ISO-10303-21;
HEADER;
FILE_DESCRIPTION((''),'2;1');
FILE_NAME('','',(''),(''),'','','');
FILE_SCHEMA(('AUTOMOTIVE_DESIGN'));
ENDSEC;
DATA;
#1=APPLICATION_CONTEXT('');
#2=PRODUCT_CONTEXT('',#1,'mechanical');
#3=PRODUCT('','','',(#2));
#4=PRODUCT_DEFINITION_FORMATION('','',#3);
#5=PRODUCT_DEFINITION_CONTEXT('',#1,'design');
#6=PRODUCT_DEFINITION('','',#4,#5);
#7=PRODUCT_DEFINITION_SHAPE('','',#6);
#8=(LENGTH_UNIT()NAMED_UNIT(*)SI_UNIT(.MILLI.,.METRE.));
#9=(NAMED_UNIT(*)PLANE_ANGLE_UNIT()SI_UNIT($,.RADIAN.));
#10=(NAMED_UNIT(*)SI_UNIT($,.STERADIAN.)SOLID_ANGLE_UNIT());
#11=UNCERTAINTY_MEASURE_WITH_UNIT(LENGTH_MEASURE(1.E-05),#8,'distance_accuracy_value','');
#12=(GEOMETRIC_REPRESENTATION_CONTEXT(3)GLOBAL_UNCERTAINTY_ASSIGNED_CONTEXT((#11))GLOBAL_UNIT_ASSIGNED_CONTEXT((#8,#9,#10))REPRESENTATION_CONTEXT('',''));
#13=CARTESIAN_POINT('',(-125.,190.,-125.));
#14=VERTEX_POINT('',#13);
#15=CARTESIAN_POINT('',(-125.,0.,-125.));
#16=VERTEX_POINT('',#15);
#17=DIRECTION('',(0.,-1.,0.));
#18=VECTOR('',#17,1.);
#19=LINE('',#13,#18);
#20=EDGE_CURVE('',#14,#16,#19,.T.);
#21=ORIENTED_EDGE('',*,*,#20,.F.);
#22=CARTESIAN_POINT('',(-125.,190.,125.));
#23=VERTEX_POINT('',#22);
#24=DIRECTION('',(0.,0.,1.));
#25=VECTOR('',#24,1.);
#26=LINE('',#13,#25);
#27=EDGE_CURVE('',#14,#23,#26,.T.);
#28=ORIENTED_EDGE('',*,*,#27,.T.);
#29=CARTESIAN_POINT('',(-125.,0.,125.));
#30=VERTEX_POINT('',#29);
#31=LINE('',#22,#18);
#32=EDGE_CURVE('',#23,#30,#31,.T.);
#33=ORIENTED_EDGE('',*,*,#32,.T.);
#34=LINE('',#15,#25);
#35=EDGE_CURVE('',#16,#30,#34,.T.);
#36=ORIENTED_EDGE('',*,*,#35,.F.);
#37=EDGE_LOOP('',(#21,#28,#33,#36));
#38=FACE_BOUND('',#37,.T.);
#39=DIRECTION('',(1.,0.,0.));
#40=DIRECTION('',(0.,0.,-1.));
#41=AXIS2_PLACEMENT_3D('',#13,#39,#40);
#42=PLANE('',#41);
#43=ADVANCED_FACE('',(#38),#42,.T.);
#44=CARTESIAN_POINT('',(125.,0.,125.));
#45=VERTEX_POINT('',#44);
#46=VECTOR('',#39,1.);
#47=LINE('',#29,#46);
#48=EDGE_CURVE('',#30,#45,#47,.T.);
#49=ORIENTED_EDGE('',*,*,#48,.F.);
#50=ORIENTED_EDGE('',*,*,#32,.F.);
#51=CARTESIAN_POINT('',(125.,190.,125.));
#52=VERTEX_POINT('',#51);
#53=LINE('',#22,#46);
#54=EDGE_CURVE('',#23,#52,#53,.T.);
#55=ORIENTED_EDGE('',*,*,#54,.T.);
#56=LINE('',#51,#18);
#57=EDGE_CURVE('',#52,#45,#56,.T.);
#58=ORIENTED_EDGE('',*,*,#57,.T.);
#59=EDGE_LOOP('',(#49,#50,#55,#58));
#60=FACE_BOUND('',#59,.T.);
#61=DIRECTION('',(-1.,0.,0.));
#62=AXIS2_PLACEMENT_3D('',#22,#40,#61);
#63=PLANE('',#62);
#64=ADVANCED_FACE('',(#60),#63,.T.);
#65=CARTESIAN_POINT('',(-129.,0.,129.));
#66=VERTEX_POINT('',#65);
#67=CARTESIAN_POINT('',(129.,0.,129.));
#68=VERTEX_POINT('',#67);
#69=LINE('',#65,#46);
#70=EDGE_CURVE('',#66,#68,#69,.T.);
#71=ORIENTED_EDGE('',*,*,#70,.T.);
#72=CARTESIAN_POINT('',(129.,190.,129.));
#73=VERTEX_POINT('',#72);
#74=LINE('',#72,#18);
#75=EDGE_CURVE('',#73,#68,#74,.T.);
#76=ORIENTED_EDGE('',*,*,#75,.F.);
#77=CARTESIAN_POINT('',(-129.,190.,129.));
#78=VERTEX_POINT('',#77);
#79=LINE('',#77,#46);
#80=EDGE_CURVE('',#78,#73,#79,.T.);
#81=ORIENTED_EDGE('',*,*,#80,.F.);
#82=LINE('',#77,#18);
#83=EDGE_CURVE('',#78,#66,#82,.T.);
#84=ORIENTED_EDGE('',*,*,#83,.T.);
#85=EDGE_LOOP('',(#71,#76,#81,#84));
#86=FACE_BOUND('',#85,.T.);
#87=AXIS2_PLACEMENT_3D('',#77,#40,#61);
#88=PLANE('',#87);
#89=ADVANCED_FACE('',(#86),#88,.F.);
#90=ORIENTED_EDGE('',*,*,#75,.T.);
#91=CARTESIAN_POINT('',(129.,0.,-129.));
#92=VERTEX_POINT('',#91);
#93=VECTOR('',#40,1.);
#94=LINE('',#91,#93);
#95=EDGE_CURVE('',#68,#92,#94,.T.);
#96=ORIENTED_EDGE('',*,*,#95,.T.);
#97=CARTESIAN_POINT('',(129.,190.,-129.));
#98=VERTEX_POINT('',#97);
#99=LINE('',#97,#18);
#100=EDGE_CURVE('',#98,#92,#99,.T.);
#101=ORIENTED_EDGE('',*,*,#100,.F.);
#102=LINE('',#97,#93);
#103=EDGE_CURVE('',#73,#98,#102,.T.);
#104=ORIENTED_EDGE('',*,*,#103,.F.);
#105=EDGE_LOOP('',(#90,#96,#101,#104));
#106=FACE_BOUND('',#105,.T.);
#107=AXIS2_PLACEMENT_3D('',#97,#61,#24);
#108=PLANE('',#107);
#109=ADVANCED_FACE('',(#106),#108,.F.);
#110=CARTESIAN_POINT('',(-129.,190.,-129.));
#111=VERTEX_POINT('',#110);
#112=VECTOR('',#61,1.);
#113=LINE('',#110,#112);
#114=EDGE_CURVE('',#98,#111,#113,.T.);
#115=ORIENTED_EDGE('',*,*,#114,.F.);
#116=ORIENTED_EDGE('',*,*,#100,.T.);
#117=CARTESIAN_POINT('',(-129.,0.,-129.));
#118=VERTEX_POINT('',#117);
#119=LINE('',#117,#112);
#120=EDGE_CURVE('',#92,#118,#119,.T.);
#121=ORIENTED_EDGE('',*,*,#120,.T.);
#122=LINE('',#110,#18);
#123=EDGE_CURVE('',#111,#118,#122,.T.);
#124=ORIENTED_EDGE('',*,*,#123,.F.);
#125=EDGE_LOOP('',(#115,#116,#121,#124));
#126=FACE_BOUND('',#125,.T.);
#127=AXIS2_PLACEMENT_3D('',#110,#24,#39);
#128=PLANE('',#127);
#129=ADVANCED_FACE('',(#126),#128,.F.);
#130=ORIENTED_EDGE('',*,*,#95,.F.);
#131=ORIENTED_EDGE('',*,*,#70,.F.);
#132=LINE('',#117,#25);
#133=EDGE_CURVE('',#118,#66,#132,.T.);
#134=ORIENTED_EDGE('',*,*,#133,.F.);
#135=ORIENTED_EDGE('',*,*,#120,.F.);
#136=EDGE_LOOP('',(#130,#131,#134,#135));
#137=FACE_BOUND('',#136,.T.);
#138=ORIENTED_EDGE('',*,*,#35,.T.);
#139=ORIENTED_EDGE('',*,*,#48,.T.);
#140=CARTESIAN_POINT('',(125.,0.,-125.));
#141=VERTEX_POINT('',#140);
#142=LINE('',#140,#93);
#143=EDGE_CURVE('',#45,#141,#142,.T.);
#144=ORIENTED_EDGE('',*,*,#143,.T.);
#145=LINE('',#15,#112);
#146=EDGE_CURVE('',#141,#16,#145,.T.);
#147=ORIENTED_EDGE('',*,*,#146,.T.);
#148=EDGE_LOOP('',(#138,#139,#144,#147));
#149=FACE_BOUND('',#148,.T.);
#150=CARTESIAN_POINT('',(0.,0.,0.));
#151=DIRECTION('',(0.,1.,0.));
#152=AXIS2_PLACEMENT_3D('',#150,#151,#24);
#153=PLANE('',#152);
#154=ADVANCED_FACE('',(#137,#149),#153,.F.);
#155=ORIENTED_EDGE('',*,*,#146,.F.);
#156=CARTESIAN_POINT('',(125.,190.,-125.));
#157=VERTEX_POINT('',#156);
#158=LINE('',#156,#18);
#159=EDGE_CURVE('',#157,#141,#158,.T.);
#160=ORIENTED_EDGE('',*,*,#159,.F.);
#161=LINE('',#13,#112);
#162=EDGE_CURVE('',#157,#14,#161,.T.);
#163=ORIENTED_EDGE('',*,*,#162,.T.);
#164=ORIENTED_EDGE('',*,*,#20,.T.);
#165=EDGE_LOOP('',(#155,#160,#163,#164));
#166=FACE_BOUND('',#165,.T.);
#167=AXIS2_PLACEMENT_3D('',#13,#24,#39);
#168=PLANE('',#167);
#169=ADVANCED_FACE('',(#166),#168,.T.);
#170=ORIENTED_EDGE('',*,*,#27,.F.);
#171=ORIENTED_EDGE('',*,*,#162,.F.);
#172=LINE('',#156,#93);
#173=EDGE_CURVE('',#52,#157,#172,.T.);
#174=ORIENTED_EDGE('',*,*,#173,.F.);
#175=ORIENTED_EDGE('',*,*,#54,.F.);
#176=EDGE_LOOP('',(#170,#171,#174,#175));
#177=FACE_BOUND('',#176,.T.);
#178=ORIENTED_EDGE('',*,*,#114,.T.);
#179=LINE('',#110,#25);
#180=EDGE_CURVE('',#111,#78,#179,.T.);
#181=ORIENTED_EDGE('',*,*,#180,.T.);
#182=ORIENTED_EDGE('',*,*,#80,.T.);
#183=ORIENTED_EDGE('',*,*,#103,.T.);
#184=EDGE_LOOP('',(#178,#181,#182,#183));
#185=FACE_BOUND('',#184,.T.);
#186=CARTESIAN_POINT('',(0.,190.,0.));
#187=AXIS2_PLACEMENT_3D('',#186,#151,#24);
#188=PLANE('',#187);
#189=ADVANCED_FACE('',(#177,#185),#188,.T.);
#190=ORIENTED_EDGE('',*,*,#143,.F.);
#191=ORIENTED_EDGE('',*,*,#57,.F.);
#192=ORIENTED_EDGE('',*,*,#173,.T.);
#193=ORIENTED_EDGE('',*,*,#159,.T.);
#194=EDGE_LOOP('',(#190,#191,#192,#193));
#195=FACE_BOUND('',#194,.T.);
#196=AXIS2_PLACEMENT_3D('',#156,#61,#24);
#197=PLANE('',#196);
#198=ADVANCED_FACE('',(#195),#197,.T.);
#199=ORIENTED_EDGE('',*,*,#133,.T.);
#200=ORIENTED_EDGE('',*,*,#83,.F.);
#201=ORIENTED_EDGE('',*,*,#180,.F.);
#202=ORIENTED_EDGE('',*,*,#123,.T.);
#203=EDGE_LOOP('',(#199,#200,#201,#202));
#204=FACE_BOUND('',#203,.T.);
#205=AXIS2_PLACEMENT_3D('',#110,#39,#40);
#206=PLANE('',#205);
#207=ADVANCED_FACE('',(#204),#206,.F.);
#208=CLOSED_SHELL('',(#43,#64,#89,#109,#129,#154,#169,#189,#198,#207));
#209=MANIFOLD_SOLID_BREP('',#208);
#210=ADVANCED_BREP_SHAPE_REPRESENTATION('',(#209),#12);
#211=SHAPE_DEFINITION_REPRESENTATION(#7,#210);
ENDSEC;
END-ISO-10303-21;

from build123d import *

# Parameters (mm, degrees)
SKETCH1_W           = 258
SKETCH1_H           = 258
SKETCH1_W_2         = 250
SKETCH1_H_2         = 250
BOSS_EXTRUDE1_DEPTH = 190


with BuildPart() as part:
    # Sketch1 → Boss-Extrude1 (new body)
    with BuildSketch(Plane(origin=(0, 0, 0), x_dir=(1, 0, 0), z_dir=(0, 1, 0))):
        Rectangle(SKETCH1_W, SKETCH1_H)
        Rectangle(SKETCH1_W_2, SKETCH1_H_2, mode=Mode.SUBTRACT)
    extrude(amount=BOSS_EXTRUDE1_DEPTH)


solid = part.part
